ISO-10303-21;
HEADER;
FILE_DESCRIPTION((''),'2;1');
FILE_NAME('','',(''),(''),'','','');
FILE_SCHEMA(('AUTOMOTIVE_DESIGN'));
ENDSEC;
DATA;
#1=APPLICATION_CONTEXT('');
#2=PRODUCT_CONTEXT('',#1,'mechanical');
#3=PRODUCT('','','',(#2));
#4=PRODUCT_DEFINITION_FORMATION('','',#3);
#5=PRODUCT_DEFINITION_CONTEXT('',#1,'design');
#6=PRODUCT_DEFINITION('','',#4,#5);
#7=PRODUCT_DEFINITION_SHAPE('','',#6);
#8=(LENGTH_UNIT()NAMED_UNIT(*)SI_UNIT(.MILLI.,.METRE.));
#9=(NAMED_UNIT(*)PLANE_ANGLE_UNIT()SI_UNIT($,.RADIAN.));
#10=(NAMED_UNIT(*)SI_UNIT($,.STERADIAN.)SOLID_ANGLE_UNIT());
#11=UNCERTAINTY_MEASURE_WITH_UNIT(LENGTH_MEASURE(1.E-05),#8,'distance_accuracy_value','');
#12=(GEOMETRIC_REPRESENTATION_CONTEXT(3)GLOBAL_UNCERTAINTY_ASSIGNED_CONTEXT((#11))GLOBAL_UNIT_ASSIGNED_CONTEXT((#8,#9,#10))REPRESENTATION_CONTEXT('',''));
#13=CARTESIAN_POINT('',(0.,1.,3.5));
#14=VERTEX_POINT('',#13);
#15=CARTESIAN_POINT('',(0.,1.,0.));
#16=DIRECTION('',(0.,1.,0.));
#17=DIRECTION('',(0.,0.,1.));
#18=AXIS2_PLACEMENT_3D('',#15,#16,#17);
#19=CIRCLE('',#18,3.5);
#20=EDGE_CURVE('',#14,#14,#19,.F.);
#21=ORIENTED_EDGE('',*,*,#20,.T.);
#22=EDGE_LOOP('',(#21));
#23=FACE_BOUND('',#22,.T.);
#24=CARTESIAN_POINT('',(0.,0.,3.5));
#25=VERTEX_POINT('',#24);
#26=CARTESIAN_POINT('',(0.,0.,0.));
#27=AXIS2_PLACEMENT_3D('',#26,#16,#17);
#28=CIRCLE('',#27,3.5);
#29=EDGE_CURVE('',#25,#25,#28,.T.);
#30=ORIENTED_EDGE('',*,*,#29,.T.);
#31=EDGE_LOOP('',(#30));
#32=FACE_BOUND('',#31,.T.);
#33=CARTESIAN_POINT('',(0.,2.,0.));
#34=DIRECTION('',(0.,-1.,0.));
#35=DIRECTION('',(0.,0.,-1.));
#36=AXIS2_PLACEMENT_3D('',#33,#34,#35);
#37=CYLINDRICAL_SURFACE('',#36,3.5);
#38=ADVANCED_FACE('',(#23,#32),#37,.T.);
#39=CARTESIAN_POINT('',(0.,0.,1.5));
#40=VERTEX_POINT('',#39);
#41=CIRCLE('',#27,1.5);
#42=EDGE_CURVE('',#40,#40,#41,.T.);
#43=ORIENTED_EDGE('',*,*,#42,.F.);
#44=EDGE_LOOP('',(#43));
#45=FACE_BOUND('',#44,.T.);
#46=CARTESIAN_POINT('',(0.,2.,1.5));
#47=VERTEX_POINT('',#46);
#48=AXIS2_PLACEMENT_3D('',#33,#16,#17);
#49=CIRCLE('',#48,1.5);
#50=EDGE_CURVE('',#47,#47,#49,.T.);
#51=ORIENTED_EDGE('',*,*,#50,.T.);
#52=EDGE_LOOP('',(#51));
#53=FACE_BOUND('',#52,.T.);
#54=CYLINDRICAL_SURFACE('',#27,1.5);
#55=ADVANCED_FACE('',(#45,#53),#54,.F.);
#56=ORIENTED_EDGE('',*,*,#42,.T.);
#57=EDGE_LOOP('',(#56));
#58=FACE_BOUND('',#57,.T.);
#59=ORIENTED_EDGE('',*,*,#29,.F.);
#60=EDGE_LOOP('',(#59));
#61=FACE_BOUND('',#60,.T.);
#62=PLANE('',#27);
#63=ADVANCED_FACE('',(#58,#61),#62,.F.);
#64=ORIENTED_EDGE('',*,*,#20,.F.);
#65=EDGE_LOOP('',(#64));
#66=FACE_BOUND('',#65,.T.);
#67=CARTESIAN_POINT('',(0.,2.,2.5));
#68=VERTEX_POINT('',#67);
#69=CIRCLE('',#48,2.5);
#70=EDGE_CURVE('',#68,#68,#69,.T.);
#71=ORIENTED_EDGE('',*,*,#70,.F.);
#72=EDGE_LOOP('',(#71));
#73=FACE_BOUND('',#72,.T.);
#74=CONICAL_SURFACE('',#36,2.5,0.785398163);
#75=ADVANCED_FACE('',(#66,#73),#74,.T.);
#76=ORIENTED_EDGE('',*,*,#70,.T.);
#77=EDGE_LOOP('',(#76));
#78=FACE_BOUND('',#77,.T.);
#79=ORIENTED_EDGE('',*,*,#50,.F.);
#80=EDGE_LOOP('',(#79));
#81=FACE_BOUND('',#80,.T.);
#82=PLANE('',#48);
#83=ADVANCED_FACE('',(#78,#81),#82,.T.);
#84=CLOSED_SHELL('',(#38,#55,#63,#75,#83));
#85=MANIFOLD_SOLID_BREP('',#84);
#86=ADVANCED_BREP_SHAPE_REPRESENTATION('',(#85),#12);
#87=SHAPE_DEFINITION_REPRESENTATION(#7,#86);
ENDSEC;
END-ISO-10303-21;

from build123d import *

# Parameters (mm, degrees)
SKETCH1_R           = 3.5
BOSS_EXTRUDE1_DEPTH = 2
SKETCH2_R           = 1.5
CUT_EXTRUDE1_DEPTH  = 2
CHAMFER1_SIZE       = 1


with BuildPart() as part:
    # Sketch1 → Boss-Extrude1 (new body)
    with BuildSketch(Plane(origin=(0, 0, 0), x_dir=(1, 0, 0), z_dir=(0, 1, 0))):
        Circle(SKETCH1_R)
    extrude(amount=BOSS_EXTRUDE1_DEPTH)

    # Sketch2 → Cut-Extrude1 (cut)
    with BuildSketch(Plane(origin=(0, 2, 0), x_dir=(1, 0, 0), z_dir=(0, 1, 0))):
        Circle(SKETCH2_R)
    extrude(amount=-CUT_EXTRUDE1_DEPTH, mode=Mode.SUBTRACT)

    # Chamfer1
    chamfer1_edges = [part.edges().sort_by_distance(p)[0] for p in [
        (-3.5, 2, 0),
    ]]
    chamfer(chamfer1_edges, length=CHAMFER1_SIZE)


solid = part.part
